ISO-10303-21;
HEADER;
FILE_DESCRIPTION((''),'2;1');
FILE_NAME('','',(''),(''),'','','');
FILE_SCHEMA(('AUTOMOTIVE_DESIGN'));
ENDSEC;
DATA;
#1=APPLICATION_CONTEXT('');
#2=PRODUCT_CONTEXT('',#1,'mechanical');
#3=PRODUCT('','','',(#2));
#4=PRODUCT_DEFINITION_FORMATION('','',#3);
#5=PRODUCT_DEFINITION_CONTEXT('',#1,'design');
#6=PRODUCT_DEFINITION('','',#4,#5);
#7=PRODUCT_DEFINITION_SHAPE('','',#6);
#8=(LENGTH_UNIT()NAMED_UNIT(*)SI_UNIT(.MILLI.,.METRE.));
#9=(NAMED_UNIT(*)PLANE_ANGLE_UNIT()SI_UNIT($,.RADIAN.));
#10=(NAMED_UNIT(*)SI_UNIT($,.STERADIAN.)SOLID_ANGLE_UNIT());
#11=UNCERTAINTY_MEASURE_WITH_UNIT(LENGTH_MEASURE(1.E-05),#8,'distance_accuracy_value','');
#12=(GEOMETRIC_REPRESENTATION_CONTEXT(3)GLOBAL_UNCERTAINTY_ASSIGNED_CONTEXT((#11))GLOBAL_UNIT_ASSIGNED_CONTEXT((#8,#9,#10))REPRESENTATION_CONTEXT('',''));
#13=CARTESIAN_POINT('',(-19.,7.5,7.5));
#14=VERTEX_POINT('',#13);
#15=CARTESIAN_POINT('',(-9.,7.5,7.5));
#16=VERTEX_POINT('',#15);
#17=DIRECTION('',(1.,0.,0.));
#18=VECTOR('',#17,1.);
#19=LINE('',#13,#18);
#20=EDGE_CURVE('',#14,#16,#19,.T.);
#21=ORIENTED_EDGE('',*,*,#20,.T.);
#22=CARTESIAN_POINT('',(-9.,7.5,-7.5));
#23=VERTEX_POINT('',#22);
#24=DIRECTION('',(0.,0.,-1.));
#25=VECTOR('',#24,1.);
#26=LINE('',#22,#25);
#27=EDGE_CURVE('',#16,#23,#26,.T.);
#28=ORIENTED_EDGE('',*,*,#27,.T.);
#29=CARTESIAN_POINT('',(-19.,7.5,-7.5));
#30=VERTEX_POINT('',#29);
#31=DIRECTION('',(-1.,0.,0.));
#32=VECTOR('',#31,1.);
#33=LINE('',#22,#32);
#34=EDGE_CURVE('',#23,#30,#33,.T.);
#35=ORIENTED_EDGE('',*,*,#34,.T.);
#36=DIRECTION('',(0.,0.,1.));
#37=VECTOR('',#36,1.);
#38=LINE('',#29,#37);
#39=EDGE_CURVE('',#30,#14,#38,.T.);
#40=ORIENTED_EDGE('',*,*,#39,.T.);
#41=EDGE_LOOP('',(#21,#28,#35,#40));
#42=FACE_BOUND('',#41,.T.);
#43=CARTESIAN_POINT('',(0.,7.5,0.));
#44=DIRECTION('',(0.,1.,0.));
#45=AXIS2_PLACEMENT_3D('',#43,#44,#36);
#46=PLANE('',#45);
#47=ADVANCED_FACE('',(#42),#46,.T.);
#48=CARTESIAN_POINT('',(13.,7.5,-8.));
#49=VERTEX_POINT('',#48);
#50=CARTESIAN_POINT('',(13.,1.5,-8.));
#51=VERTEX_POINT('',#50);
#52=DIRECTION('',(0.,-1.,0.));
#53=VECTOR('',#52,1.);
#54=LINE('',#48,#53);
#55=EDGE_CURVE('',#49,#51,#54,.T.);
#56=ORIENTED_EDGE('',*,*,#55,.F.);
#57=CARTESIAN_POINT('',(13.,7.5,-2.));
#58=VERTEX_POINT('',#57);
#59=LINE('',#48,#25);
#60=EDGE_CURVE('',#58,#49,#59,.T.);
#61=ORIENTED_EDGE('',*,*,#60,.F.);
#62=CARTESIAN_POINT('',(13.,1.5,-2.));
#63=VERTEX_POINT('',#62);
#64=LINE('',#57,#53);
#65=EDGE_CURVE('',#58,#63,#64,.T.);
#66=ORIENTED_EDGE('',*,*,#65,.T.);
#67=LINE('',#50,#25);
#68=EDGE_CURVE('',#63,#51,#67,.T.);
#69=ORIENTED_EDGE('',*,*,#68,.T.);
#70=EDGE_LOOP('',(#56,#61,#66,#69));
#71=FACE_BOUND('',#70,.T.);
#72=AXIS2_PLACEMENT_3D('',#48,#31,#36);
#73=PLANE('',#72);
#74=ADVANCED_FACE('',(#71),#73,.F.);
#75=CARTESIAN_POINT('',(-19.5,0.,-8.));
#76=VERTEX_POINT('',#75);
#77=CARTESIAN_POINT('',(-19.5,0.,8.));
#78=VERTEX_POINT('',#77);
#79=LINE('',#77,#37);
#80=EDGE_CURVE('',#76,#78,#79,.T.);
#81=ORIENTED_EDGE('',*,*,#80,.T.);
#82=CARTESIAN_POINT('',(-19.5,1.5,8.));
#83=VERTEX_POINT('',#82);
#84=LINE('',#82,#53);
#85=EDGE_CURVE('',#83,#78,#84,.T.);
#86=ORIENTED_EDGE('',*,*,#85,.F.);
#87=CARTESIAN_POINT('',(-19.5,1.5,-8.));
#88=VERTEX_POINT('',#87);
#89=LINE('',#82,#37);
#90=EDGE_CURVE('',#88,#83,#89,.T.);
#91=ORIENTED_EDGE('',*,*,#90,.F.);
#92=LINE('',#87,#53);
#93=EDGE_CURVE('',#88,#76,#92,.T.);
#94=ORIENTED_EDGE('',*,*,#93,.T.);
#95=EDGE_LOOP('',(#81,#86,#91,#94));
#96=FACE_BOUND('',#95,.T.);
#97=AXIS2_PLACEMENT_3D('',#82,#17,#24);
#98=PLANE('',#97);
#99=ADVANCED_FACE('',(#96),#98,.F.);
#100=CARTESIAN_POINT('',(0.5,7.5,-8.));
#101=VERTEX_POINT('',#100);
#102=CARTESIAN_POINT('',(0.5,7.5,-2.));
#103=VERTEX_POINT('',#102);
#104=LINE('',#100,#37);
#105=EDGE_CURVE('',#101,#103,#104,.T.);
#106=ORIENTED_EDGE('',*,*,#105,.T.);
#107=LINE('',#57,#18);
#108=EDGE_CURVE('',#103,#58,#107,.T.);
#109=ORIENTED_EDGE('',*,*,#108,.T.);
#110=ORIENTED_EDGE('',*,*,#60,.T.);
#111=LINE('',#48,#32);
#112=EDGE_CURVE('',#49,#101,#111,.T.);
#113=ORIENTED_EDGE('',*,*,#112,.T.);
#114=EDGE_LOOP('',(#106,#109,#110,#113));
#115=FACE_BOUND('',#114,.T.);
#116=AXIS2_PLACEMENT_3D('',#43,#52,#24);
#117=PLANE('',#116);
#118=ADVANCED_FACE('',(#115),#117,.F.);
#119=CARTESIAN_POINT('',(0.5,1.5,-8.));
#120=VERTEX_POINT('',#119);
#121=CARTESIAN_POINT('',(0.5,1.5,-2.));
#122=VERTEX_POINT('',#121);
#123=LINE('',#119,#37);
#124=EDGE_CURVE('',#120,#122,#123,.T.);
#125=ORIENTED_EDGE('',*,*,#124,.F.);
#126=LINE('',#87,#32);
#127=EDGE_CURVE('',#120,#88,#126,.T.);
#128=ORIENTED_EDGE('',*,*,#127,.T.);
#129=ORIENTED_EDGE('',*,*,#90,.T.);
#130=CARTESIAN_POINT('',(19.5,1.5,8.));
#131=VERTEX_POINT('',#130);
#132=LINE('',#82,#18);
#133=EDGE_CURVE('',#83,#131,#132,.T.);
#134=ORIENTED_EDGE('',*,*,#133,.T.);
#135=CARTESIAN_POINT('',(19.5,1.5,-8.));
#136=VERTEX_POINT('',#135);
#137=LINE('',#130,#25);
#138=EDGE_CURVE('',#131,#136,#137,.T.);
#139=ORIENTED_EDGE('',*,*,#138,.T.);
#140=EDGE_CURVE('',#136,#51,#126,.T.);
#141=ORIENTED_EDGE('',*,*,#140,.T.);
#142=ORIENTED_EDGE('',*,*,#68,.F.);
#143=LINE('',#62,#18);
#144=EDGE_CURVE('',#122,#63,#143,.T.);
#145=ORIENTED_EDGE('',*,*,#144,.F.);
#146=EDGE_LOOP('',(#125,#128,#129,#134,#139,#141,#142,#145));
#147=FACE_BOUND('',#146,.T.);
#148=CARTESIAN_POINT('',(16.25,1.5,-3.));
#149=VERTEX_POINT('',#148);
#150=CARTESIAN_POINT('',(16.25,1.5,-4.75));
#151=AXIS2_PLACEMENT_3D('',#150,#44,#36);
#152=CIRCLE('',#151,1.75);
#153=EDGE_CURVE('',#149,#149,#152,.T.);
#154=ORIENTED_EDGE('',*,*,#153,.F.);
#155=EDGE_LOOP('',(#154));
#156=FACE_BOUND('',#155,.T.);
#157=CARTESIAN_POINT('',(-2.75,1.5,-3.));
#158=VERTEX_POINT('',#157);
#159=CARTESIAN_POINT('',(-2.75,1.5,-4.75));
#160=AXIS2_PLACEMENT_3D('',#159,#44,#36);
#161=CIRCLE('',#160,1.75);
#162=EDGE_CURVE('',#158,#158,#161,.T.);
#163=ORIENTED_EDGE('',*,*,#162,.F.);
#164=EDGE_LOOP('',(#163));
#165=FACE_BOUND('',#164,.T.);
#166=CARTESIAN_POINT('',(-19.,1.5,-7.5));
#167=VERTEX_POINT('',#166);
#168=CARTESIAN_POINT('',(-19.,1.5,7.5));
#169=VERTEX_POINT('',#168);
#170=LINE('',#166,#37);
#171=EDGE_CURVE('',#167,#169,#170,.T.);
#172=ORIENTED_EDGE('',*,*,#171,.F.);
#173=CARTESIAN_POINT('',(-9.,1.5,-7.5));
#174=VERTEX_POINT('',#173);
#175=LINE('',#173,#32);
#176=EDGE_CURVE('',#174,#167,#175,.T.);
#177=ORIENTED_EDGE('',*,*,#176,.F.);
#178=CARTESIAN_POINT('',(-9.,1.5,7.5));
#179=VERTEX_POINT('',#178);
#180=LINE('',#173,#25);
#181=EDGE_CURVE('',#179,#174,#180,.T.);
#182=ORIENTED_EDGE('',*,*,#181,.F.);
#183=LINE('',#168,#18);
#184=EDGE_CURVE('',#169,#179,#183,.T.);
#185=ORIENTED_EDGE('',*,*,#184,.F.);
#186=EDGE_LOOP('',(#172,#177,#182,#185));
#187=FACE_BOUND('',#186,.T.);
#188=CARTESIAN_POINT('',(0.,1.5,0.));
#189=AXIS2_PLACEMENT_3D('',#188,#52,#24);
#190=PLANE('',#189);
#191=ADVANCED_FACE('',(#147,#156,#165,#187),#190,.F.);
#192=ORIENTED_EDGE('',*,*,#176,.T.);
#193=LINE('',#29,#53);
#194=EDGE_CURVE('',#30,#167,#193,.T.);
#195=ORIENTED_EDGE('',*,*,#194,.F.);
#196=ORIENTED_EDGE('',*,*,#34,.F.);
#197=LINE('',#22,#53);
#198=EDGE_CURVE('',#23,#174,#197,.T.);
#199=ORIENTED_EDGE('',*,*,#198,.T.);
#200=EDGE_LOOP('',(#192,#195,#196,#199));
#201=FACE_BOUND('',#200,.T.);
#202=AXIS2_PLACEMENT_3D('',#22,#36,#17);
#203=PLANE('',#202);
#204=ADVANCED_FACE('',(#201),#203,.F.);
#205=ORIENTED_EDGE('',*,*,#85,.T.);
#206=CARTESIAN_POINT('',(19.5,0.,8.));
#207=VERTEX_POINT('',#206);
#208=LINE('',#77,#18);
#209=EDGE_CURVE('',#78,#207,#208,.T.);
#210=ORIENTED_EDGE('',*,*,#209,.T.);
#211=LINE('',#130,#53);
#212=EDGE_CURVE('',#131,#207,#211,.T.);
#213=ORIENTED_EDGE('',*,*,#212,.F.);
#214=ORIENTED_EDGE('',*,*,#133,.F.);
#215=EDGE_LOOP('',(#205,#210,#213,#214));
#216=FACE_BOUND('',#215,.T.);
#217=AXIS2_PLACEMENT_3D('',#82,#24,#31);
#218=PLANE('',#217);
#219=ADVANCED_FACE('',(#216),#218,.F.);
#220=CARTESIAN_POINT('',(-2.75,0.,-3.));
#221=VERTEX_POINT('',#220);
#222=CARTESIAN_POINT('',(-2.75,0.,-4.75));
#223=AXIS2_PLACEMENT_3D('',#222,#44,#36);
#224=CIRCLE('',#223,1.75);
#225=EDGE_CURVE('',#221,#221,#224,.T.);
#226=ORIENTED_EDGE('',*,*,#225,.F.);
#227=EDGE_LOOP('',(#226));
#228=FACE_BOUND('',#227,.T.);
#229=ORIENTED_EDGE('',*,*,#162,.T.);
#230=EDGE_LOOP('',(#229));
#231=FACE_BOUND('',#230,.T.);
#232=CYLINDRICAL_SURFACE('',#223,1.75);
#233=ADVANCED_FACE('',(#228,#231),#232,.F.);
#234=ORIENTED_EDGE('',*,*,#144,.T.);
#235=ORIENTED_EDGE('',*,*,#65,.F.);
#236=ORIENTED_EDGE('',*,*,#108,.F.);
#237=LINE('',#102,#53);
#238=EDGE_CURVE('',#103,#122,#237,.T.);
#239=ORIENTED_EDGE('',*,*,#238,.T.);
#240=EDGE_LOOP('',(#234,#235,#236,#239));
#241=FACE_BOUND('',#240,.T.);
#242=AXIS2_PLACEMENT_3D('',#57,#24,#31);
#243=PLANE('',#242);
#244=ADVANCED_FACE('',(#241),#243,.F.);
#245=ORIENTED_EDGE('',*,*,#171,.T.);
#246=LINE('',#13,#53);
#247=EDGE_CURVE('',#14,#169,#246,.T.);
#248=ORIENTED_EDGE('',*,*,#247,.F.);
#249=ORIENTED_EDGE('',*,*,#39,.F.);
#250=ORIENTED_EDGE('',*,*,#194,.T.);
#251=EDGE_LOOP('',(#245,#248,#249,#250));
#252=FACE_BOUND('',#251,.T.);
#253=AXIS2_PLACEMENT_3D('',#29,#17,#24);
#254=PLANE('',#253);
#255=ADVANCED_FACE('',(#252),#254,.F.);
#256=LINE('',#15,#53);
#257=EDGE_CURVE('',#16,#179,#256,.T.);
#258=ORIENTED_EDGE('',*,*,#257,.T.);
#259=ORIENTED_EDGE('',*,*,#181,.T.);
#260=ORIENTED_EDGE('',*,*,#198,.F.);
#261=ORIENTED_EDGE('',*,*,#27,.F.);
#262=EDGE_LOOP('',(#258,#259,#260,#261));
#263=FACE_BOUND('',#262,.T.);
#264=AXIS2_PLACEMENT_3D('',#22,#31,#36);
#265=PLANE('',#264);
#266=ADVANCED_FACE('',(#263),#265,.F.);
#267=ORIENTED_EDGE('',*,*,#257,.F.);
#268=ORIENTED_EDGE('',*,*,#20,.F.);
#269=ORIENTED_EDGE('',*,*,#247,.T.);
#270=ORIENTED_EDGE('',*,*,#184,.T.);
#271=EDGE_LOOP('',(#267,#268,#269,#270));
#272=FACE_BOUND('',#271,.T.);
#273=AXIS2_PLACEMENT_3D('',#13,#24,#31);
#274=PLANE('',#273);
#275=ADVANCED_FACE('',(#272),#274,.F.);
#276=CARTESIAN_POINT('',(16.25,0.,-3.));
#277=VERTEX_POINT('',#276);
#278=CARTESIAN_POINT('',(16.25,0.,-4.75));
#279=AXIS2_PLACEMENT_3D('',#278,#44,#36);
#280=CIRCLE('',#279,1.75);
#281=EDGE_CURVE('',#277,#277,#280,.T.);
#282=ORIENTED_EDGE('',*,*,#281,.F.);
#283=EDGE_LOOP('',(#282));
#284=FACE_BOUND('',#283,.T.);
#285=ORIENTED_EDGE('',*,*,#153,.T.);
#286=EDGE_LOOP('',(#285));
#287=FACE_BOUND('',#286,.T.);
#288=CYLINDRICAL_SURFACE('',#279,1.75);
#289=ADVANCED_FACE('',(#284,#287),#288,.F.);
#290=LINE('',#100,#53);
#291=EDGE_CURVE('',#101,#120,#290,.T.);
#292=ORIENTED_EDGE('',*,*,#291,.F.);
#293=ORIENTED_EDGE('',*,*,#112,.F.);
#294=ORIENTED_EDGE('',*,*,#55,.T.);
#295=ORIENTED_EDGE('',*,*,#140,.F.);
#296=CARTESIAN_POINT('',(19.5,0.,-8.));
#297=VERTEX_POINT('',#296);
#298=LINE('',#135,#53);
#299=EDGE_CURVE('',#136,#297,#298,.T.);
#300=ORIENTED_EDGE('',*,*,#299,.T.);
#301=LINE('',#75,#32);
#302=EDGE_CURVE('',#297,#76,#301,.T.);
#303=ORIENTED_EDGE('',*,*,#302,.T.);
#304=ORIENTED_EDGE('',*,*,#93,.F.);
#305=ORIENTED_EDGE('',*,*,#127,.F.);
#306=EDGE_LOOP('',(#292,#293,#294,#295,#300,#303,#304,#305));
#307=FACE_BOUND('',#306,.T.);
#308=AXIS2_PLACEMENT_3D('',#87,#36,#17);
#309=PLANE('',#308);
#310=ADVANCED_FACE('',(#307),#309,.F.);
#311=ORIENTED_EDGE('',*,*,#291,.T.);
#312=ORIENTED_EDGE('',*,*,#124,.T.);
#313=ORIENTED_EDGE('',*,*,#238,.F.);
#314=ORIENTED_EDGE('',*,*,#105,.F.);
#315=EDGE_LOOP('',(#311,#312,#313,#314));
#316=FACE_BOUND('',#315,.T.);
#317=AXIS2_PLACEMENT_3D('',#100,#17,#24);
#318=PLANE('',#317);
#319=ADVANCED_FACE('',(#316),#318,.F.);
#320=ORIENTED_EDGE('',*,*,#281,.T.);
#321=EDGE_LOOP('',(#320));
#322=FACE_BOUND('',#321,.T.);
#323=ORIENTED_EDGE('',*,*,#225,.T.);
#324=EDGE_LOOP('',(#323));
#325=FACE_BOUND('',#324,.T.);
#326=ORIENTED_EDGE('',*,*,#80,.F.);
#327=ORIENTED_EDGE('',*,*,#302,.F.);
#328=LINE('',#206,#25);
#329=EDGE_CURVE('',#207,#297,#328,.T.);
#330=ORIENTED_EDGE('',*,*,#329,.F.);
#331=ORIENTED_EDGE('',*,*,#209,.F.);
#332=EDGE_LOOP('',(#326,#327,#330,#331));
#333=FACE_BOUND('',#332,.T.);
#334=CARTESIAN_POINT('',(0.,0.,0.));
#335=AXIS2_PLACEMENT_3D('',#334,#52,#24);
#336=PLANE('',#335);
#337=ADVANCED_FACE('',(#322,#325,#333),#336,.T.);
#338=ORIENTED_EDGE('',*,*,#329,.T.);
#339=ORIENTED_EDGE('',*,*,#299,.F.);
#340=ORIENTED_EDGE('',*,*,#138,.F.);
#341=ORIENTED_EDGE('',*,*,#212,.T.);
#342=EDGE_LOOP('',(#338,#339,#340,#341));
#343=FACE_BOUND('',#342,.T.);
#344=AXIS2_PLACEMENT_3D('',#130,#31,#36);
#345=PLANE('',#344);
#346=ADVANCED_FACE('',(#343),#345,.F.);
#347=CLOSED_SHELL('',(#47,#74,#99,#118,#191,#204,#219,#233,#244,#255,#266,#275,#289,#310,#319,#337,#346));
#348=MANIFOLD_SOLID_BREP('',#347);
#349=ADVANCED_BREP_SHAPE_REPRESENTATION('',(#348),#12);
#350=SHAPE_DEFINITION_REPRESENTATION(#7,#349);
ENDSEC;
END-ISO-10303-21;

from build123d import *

# Parameters (mm, degrees)
SKETCH_1_W          = 39
SKETCH_1_H          = 16
EXTRUDE_1_DEPTH     = 1.5
SKETCH_2_R          = 1.75
CUT_EXTRUDE_1_DEPTH = 1.5
SKETCH_3_W          = 12.5
SKETCH_3_H          = 6
EXTRUDE_2_DEPTH     = 6
SKETCH_4_W          = 10
SKETCH_4_H          = 15
EXTRUDE_3_DEPTH     = 6


with BuildPart() as part:
    # 草图1 → 凸台-拉伸1 (new body)
    with BuildSketch(Plane(origin=(0, 0, 0), x_dir=(1, 0, 0), z_dir=(0, 1, 0))):
        Rectangle(SKETCH_1_W, SKETCH_1_H)
    extrude(amount=EXTRUDE_1_DEPTH)

    # 草图2 → 切除-拉伸1 (cut)
    with BuildSketch(Plane(origin=(0, 1.5, 0), x_dir=(1, 0, 0), z_dir=(0, 1, 0))):
        with Locations(Location((16.25, 4.75, 0), (0, 0, 270))):
            Circle(SKETCH_2_R)
        with Locations(Location((-2.75, 4.75, 0), (0, 0, 270))):
            Circle(SKETCH_2_R)
    extrude(amount=-CUT_EXTRUDE_1_DEPTH, mode=Mode.SUBTRACT)

    # 草图3 → 凸台-拉伸2 (add)
    with BuildSketch(Plane(origin=(0, 1.5, 0), x_dir=(1, 0, 0), z_dir=(0, 1, 0))):
        with Locations((6.75, 5)):
            Rectangle(SKETCH_3_W, SKETCH_3_H)
    extrude(amount=EXTRUDE_2_DEPTH)

    # 草图4 → 凸台-拉伸3 (add)
    with BuildSketch(Plane(origin=(0, 1.5, 0), x_dir=(1, 0, 0), z_dir=(0, 1, 0))):
        with Locations((-14, 0)):
            Rectangle(SKETCH_4_W, SKETCH_4_H)
    extrude(amount=EXTRUDE_3_DEPTH)


solid = part.part
